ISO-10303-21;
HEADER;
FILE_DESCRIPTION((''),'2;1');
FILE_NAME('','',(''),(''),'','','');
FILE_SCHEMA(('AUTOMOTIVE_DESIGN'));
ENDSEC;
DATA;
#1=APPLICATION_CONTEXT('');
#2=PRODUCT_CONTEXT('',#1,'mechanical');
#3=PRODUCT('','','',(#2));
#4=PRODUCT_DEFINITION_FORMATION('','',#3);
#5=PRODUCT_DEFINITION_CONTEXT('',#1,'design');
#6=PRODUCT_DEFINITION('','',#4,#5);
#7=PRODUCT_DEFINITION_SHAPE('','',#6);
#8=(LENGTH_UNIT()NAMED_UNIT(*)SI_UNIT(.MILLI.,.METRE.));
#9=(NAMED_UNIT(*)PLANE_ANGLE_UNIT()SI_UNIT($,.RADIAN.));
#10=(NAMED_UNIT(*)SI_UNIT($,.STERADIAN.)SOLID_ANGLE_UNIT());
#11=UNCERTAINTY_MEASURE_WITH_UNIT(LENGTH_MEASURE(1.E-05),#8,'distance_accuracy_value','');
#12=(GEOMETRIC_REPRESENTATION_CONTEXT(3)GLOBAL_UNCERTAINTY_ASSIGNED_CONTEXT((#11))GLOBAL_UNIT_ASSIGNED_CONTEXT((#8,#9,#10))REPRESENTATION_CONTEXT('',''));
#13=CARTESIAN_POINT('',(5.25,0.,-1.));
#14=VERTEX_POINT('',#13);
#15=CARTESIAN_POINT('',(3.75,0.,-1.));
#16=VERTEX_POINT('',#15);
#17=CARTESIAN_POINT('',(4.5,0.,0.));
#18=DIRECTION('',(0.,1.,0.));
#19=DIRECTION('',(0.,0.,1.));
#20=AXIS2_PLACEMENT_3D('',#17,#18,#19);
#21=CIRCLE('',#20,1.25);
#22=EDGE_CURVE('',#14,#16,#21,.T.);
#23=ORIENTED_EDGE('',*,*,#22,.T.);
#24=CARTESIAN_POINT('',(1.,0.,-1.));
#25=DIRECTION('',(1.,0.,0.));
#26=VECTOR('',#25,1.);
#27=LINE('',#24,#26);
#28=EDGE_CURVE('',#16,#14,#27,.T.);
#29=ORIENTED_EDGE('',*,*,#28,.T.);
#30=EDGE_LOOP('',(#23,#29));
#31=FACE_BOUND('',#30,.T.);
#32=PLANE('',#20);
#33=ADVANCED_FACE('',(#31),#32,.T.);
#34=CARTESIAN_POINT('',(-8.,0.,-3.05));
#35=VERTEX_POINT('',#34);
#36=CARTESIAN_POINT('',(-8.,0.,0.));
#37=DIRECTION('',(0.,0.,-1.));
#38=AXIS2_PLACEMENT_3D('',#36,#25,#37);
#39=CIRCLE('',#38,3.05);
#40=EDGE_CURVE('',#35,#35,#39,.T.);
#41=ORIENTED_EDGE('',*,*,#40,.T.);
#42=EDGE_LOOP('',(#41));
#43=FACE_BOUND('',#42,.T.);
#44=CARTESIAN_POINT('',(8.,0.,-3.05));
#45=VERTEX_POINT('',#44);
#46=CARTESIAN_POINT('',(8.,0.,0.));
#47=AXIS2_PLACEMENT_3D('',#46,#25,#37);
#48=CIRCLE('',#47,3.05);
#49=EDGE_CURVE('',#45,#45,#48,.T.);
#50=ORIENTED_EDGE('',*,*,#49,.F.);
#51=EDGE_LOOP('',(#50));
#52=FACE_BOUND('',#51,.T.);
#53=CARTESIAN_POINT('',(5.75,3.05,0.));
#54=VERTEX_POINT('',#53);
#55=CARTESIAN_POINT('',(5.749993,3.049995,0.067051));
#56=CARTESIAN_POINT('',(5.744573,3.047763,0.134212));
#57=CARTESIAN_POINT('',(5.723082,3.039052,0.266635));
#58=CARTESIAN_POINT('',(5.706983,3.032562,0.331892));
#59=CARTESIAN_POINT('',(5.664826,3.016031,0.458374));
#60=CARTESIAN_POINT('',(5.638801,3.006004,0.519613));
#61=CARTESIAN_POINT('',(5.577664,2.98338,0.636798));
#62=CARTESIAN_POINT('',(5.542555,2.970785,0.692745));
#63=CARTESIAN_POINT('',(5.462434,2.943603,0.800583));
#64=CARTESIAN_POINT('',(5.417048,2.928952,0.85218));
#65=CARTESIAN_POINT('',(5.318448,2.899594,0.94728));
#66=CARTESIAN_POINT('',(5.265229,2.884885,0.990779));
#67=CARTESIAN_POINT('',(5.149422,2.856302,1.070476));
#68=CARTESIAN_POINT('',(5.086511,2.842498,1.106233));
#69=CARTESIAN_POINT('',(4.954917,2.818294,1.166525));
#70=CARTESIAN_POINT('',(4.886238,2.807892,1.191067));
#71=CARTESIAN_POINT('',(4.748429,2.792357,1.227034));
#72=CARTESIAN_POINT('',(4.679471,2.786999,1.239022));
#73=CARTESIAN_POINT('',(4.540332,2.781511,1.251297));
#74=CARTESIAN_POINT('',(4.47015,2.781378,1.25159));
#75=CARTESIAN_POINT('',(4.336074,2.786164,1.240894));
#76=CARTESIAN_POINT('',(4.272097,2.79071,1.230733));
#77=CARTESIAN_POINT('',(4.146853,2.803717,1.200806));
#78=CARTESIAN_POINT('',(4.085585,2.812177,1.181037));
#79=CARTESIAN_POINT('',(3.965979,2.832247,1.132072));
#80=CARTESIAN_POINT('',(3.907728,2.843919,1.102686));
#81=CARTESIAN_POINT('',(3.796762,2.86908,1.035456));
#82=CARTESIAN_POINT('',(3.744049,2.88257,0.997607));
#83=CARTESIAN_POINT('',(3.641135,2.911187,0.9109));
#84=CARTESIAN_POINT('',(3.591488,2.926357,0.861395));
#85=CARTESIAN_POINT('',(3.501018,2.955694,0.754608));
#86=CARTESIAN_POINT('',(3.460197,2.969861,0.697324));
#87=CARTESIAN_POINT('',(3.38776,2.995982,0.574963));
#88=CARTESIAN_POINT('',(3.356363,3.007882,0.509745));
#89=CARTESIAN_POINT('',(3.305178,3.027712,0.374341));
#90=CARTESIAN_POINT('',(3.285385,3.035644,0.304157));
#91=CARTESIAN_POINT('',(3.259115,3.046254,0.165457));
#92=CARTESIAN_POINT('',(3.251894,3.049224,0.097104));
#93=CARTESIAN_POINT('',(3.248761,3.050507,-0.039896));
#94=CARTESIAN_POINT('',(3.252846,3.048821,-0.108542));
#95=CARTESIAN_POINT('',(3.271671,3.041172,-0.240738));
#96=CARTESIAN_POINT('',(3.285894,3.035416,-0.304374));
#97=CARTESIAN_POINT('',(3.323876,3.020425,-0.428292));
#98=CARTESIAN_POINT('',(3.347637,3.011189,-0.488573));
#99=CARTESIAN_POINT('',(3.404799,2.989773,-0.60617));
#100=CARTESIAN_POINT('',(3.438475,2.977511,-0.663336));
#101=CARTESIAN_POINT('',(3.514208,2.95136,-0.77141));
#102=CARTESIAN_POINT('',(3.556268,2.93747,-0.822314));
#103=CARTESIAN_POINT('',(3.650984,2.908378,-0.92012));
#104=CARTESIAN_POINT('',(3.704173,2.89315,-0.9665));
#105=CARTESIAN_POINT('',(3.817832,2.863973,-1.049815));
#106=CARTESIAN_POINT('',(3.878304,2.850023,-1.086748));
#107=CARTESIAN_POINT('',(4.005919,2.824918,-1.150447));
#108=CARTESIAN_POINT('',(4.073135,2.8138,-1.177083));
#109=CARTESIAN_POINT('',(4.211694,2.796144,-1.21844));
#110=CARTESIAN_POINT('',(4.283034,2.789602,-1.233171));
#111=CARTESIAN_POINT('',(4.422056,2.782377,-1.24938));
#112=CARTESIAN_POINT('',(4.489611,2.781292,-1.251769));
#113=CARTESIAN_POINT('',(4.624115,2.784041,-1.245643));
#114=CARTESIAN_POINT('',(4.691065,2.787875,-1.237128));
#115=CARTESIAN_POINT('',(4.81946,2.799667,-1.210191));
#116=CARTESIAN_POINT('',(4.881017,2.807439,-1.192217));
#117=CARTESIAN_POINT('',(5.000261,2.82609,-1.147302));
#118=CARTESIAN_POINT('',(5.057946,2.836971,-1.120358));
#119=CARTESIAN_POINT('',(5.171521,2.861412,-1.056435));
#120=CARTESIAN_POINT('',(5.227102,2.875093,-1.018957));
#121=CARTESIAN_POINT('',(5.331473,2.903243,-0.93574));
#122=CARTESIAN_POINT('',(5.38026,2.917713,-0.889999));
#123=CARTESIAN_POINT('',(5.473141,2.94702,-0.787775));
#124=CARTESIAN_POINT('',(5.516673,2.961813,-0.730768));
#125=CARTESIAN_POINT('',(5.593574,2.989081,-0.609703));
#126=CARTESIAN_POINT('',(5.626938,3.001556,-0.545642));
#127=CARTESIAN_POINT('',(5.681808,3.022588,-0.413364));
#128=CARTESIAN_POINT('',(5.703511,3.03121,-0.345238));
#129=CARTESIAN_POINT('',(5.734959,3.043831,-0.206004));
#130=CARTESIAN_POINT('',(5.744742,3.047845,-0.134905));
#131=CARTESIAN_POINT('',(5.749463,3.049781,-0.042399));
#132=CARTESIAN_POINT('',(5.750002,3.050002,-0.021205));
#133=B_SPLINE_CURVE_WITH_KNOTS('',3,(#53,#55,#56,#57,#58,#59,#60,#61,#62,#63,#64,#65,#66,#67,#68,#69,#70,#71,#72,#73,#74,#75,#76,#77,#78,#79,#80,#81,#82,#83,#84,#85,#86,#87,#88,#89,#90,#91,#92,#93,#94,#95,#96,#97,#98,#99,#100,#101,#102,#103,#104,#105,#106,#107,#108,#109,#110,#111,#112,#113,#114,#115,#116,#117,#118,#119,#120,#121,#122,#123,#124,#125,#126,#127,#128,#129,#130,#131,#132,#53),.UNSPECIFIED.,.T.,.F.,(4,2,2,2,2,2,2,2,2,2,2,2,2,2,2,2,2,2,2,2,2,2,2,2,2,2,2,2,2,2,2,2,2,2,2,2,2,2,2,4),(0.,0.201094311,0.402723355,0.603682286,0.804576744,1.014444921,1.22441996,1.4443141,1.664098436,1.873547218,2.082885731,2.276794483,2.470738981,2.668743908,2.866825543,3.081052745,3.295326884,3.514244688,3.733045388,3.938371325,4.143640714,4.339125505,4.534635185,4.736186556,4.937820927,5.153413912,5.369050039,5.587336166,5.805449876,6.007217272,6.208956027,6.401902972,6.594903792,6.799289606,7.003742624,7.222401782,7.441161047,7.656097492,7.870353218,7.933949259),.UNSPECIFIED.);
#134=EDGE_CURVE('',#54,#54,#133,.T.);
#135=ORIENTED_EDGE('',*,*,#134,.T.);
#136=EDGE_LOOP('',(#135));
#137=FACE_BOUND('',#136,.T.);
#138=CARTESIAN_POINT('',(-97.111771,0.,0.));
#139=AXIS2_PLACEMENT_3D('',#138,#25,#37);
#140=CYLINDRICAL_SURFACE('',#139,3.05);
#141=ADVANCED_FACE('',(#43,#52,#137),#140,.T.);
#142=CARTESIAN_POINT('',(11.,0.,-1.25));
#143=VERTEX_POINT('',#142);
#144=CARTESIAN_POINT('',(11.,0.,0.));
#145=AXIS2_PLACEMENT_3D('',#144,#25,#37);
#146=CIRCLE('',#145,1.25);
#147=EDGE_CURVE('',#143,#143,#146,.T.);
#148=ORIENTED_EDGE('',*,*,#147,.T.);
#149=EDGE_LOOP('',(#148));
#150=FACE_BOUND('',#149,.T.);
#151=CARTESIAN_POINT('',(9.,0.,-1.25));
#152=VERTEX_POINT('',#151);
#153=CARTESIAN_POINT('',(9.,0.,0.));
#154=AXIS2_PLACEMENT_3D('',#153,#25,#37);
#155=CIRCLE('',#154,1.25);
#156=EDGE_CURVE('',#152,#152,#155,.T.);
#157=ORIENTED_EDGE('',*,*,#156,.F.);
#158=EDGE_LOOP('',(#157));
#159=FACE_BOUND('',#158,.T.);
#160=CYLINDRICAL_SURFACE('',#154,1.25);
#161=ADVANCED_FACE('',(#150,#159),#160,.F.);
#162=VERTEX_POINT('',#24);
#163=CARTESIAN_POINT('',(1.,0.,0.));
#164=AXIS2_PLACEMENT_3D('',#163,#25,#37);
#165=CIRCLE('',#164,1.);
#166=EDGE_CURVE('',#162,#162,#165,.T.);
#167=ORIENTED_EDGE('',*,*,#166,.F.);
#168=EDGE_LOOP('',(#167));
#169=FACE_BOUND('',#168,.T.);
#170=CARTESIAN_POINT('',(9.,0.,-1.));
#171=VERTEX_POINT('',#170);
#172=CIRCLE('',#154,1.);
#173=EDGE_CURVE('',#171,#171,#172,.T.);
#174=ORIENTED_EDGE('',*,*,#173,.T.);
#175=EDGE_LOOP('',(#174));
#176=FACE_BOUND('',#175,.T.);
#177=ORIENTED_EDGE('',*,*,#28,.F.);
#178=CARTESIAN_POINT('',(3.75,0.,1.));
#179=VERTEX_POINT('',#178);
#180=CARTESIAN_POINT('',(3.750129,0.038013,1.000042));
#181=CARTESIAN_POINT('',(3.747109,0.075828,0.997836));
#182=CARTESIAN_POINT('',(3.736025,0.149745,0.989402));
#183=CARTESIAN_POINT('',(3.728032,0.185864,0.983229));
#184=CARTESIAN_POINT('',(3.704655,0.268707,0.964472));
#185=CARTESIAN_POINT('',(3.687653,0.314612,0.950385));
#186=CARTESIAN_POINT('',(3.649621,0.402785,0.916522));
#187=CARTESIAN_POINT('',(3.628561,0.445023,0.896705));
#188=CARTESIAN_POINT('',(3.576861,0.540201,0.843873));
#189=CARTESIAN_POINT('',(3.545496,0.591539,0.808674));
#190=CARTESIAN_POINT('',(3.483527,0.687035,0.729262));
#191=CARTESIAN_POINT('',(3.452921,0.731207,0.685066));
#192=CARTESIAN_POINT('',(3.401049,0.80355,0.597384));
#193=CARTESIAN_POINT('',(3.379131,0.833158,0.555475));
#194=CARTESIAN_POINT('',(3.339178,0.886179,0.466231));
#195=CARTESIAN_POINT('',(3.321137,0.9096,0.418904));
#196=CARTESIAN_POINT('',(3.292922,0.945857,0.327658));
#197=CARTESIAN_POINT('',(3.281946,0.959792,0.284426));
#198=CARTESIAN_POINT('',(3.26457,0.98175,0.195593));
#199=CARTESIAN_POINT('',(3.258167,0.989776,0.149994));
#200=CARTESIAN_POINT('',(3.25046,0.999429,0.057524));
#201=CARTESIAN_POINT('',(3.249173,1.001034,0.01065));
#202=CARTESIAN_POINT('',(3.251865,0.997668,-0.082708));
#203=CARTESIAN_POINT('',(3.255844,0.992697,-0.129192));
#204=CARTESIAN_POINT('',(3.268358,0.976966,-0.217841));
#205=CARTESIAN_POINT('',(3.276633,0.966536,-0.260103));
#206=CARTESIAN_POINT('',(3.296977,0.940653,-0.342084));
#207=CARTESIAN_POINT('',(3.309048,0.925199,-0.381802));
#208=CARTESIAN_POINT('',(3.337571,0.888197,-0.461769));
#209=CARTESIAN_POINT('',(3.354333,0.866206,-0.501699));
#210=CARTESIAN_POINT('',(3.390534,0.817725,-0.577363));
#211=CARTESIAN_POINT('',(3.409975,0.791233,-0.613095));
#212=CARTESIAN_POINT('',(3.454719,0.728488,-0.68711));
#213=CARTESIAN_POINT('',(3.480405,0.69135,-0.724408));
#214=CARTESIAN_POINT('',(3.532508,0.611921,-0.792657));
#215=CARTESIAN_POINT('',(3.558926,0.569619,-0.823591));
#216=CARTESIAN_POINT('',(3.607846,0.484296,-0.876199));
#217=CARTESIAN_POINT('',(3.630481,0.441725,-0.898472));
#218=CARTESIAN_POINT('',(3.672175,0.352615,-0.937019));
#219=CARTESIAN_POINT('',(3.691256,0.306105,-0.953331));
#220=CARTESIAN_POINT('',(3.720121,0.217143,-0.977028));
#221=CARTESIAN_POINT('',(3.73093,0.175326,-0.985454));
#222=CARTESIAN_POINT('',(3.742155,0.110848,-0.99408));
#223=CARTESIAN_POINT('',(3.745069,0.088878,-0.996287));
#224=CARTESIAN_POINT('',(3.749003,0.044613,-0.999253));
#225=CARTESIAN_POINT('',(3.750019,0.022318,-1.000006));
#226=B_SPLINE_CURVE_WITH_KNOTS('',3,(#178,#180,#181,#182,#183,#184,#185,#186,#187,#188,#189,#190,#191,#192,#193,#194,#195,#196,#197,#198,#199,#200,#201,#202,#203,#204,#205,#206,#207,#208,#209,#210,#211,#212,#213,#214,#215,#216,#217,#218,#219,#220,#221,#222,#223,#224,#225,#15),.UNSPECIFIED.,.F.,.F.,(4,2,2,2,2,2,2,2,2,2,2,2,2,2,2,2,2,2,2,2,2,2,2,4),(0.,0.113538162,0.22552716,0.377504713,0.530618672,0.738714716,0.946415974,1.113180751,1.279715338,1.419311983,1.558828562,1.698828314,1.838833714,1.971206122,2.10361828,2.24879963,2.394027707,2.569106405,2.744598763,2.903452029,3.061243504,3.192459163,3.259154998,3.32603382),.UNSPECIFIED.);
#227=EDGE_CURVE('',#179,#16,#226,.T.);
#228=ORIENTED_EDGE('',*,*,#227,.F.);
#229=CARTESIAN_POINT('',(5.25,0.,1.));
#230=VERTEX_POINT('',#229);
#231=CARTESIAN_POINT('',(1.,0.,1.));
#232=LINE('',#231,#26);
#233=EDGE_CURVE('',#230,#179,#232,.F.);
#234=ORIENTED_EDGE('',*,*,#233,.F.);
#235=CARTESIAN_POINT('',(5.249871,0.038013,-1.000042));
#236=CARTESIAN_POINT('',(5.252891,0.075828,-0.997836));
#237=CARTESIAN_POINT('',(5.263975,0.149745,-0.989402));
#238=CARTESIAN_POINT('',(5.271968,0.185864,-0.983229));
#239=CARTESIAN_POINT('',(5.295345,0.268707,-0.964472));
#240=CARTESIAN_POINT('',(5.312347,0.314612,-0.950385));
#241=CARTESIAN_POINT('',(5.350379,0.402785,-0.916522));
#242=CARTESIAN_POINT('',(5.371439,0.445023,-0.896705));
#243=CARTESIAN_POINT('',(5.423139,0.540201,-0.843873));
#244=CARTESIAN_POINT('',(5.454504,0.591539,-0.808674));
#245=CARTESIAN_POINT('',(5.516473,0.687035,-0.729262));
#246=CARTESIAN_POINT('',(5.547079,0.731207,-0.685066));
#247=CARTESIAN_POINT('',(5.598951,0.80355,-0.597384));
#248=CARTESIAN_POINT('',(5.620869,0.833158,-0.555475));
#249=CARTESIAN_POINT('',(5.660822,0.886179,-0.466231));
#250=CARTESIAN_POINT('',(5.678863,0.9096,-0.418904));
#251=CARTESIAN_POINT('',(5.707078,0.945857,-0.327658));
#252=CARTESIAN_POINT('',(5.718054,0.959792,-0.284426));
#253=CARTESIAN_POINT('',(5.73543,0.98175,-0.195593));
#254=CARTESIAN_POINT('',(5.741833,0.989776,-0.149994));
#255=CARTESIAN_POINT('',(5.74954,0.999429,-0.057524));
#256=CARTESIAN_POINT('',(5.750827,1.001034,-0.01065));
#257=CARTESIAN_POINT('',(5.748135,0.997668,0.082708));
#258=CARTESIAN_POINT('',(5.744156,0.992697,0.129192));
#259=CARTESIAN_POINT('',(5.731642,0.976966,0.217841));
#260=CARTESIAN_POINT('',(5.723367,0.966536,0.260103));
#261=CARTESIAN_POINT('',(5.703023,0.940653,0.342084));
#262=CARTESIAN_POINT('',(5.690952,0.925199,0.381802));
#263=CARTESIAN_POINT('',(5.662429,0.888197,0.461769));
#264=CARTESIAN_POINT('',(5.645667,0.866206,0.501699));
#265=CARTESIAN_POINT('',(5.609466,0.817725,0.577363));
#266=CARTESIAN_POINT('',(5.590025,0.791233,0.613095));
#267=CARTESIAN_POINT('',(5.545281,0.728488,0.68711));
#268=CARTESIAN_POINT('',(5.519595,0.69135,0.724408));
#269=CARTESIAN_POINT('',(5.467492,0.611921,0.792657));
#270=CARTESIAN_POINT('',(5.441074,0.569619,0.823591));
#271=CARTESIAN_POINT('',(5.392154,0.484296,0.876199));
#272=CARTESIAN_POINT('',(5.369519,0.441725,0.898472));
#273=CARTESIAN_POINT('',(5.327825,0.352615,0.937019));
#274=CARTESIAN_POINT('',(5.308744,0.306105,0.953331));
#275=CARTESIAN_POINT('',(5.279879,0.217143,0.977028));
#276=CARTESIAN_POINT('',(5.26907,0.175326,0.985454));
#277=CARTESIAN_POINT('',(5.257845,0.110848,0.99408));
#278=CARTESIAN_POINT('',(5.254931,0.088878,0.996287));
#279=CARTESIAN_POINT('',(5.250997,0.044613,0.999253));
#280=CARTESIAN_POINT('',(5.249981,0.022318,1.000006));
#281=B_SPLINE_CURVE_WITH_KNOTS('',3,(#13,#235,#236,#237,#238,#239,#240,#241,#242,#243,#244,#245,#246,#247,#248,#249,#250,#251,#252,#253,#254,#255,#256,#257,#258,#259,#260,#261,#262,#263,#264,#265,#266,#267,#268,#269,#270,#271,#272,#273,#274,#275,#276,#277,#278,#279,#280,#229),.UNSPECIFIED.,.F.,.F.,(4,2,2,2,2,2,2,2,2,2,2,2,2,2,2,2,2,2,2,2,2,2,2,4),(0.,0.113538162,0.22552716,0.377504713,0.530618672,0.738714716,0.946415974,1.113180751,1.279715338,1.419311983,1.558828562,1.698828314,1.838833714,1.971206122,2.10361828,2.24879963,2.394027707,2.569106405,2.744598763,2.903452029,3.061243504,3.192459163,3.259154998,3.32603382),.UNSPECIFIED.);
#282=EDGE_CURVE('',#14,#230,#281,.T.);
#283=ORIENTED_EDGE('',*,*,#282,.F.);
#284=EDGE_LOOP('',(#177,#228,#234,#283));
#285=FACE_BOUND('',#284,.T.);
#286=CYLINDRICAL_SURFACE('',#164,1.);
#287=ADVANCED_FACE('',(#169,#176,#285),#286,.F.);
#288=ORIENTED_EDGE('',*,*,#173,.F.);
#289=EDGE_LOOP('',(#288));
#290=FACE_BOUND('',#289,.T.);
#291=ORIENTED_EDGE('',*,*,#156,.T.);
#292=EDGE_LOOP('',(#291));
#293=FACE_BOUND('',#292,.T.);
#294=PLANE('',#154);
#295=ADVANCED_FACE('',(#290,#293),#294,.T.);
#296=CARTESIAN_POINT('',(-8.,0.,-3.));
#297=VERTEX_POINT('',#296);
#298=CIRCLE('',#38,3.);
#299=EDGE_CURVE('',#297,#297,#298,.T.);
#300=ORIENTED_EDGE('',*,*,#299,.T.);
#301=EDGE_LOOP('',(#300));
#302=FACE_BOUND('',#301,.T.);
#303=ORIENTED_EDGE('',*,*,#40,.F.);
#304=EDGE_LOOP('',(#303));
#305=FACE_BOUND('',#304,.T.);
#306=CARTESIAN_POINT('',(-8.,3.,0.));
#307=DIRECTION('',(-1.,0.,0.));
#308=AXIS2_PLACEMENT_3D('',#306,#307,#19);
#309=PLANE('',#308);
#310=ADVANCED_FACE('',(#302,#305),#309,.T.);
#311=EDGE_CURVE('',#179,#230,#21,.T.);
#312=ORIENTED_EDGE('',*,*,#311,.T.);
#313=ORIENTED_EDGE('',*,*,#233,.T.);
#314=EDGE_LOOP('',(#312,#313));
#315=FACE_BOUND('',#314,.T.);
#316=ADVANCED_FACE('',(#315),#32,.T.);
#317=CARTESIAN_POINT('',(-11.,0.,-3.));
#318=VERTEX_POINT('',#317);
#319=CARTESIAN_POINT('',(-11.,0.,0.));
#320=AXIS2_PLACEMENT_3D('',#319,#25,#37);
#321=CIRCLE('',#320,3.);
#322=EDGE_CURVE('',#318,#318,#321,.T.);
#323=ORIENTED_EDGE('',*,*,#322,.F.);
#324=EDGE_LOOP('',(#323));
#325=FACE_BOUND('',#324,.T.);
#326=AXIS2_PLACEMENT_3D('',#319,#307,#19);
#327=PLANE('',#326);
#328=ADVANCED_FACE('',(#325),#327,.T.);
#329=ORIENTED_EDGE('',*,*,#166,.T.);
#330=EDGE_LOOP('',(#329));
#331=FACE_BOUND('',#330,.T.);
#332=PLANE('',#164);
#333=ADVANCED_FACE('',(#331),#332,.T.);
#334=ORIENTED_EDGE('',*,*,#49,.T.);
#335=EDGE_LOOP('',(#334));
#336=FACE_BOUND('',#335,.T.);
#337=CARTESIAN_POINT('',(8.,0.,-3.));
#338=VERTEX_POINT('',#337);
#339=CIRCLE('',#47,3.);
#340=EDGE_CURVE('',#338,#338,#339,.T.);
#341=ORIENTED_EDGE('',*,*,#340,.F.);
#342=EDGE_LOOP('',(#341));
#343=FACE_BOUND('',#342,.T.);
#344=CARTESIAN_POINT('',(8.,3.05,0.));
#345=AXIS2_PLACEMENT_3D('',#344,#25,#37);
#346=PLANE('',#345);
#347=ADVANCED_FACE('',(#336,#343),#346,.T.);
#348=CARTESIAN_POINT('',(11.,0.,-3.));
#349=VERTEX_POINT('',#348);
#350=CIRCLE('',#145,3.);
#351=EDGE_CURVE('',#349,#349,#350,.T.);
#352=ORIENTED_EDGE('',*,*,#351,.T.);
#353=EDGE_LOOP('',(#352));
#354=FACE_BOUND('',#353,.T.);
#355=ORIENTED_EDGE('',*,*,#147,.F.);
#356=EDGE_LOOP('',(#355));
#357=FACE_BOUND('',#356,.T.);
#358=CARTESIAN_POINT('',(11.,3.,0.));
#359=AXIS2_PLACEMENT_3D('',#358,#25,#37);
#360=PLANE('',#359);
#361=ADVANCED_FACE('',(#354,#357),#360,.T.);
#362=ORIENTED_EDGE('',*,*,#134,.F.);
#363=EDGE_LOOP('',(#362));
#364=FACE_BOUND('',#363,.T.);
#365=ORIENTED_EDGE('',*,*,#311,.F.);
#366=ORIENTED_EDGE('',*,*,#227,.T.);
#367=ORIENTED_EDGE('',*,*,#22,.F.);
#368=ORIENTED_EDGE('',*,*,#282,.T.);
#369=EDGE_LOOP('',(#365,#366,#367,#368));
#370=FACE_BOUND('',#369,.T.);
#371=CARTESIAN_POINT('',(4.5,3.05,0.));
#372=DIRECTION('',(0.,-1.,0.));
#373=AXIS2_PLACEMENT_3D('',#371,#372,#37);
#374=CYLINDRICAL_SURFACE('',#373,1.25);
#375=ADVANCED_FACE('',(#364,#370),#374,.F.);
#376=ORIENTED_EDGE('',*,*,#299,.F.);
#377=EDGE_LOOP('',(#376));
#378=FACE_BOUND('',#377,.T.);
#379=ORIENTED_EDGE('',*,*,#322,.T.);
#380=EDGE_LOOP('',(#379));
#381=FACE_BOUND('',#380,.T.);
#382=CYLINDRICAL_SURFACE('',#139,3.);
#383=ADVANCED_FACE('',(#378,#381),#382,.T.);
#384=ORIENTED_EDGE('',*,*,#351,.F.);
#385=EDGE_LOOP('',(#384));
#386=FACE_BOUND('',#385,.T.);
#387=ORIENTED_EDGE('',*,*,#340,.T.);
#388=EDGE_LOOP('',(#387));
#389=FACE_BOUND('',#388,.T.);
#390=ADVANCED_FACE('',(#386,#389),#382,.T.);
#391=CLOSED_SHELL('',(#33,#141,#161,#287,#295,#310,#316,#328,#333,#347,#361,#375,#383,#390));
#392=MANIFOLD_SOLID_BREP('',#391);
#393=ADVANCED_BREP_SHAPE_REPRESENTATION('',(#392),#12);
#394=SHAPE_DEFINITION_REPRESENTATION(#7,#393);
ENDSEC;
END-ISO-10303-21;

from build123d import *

# Parameters (mm, degrees)
SKIZZE2_R                       = 1
SCHNITT_LINEAR_AUSTRAGEN1_DEPTH = 10
SKIZZE2_3_R                     = 1.25
SKIZZE2_3_R_2                   = 1
SCHNITT_LINEAR_AUSTRAGEN2_DEPTH = 2
SKIZZE3_R                       = 1.25
SCHNITT_LINEAR_AUSTRAGEN3_DEPTH = 4.05


with BuildPart() as part:
    # Skizze1 → Rotation1 (revolve)
    with BuildSketch(Plane.XY):
        Polygon((-11, 3), (-8, 3), (-8, 3.05), (8, 3.05), (8, 3), (11, 3), (11, 0), (-11, 0), align=None)
    revolve(axis=Axis((-97.111770595, 0, 0), (-1, 0, 0)))

    # Skizze2 → Schnitt-Linear austragen1 (cut)
    with BuildSketch(Plane(origin=(11, 0, 0), x_dir=(0, 0, -1), z_dir=(1, 0, 0))):
        Circle(SKIZZE2_R)
    extrude(amount=-SCHNITT_LINEAR_AUSTRAGEN1_DEPTH, mode=Mode.SUBTRACT)

    # Skizze2<3> → Schnitt-Linear austragen2 (cut)
    with BuildSketch(Plane(origin=(11, 0, 0), x_dir=(0, 0, -1), z_dir=(1, 0, 0))):
        Circle(SKIZZE2_3_R)
        Circle(SKIZZE2_3_R_2, mode=Mode.SUBTRACT)
    extrude(amount=-SCHNITT_LINEAR_AUSTRAGEN2_DEPTH, mode=Mode.SUBTRACT)

    # Skizze3 → Schnitt-Linear austragen3 (cut, through all)
    with BuildSketch(Plane(origin=(0, 0, 0), x_dir=(1, 0, 0), z_dir=(0, 1, 0))):
        with Locations((4.5, 0)):
            Circle(SKIZZE3_R)
    extrude(amount=SCHNITT_LINEAR_AUSTRAGEN3_DEPTH, mode=Mode.SUBTRACT)


solid = part.part
